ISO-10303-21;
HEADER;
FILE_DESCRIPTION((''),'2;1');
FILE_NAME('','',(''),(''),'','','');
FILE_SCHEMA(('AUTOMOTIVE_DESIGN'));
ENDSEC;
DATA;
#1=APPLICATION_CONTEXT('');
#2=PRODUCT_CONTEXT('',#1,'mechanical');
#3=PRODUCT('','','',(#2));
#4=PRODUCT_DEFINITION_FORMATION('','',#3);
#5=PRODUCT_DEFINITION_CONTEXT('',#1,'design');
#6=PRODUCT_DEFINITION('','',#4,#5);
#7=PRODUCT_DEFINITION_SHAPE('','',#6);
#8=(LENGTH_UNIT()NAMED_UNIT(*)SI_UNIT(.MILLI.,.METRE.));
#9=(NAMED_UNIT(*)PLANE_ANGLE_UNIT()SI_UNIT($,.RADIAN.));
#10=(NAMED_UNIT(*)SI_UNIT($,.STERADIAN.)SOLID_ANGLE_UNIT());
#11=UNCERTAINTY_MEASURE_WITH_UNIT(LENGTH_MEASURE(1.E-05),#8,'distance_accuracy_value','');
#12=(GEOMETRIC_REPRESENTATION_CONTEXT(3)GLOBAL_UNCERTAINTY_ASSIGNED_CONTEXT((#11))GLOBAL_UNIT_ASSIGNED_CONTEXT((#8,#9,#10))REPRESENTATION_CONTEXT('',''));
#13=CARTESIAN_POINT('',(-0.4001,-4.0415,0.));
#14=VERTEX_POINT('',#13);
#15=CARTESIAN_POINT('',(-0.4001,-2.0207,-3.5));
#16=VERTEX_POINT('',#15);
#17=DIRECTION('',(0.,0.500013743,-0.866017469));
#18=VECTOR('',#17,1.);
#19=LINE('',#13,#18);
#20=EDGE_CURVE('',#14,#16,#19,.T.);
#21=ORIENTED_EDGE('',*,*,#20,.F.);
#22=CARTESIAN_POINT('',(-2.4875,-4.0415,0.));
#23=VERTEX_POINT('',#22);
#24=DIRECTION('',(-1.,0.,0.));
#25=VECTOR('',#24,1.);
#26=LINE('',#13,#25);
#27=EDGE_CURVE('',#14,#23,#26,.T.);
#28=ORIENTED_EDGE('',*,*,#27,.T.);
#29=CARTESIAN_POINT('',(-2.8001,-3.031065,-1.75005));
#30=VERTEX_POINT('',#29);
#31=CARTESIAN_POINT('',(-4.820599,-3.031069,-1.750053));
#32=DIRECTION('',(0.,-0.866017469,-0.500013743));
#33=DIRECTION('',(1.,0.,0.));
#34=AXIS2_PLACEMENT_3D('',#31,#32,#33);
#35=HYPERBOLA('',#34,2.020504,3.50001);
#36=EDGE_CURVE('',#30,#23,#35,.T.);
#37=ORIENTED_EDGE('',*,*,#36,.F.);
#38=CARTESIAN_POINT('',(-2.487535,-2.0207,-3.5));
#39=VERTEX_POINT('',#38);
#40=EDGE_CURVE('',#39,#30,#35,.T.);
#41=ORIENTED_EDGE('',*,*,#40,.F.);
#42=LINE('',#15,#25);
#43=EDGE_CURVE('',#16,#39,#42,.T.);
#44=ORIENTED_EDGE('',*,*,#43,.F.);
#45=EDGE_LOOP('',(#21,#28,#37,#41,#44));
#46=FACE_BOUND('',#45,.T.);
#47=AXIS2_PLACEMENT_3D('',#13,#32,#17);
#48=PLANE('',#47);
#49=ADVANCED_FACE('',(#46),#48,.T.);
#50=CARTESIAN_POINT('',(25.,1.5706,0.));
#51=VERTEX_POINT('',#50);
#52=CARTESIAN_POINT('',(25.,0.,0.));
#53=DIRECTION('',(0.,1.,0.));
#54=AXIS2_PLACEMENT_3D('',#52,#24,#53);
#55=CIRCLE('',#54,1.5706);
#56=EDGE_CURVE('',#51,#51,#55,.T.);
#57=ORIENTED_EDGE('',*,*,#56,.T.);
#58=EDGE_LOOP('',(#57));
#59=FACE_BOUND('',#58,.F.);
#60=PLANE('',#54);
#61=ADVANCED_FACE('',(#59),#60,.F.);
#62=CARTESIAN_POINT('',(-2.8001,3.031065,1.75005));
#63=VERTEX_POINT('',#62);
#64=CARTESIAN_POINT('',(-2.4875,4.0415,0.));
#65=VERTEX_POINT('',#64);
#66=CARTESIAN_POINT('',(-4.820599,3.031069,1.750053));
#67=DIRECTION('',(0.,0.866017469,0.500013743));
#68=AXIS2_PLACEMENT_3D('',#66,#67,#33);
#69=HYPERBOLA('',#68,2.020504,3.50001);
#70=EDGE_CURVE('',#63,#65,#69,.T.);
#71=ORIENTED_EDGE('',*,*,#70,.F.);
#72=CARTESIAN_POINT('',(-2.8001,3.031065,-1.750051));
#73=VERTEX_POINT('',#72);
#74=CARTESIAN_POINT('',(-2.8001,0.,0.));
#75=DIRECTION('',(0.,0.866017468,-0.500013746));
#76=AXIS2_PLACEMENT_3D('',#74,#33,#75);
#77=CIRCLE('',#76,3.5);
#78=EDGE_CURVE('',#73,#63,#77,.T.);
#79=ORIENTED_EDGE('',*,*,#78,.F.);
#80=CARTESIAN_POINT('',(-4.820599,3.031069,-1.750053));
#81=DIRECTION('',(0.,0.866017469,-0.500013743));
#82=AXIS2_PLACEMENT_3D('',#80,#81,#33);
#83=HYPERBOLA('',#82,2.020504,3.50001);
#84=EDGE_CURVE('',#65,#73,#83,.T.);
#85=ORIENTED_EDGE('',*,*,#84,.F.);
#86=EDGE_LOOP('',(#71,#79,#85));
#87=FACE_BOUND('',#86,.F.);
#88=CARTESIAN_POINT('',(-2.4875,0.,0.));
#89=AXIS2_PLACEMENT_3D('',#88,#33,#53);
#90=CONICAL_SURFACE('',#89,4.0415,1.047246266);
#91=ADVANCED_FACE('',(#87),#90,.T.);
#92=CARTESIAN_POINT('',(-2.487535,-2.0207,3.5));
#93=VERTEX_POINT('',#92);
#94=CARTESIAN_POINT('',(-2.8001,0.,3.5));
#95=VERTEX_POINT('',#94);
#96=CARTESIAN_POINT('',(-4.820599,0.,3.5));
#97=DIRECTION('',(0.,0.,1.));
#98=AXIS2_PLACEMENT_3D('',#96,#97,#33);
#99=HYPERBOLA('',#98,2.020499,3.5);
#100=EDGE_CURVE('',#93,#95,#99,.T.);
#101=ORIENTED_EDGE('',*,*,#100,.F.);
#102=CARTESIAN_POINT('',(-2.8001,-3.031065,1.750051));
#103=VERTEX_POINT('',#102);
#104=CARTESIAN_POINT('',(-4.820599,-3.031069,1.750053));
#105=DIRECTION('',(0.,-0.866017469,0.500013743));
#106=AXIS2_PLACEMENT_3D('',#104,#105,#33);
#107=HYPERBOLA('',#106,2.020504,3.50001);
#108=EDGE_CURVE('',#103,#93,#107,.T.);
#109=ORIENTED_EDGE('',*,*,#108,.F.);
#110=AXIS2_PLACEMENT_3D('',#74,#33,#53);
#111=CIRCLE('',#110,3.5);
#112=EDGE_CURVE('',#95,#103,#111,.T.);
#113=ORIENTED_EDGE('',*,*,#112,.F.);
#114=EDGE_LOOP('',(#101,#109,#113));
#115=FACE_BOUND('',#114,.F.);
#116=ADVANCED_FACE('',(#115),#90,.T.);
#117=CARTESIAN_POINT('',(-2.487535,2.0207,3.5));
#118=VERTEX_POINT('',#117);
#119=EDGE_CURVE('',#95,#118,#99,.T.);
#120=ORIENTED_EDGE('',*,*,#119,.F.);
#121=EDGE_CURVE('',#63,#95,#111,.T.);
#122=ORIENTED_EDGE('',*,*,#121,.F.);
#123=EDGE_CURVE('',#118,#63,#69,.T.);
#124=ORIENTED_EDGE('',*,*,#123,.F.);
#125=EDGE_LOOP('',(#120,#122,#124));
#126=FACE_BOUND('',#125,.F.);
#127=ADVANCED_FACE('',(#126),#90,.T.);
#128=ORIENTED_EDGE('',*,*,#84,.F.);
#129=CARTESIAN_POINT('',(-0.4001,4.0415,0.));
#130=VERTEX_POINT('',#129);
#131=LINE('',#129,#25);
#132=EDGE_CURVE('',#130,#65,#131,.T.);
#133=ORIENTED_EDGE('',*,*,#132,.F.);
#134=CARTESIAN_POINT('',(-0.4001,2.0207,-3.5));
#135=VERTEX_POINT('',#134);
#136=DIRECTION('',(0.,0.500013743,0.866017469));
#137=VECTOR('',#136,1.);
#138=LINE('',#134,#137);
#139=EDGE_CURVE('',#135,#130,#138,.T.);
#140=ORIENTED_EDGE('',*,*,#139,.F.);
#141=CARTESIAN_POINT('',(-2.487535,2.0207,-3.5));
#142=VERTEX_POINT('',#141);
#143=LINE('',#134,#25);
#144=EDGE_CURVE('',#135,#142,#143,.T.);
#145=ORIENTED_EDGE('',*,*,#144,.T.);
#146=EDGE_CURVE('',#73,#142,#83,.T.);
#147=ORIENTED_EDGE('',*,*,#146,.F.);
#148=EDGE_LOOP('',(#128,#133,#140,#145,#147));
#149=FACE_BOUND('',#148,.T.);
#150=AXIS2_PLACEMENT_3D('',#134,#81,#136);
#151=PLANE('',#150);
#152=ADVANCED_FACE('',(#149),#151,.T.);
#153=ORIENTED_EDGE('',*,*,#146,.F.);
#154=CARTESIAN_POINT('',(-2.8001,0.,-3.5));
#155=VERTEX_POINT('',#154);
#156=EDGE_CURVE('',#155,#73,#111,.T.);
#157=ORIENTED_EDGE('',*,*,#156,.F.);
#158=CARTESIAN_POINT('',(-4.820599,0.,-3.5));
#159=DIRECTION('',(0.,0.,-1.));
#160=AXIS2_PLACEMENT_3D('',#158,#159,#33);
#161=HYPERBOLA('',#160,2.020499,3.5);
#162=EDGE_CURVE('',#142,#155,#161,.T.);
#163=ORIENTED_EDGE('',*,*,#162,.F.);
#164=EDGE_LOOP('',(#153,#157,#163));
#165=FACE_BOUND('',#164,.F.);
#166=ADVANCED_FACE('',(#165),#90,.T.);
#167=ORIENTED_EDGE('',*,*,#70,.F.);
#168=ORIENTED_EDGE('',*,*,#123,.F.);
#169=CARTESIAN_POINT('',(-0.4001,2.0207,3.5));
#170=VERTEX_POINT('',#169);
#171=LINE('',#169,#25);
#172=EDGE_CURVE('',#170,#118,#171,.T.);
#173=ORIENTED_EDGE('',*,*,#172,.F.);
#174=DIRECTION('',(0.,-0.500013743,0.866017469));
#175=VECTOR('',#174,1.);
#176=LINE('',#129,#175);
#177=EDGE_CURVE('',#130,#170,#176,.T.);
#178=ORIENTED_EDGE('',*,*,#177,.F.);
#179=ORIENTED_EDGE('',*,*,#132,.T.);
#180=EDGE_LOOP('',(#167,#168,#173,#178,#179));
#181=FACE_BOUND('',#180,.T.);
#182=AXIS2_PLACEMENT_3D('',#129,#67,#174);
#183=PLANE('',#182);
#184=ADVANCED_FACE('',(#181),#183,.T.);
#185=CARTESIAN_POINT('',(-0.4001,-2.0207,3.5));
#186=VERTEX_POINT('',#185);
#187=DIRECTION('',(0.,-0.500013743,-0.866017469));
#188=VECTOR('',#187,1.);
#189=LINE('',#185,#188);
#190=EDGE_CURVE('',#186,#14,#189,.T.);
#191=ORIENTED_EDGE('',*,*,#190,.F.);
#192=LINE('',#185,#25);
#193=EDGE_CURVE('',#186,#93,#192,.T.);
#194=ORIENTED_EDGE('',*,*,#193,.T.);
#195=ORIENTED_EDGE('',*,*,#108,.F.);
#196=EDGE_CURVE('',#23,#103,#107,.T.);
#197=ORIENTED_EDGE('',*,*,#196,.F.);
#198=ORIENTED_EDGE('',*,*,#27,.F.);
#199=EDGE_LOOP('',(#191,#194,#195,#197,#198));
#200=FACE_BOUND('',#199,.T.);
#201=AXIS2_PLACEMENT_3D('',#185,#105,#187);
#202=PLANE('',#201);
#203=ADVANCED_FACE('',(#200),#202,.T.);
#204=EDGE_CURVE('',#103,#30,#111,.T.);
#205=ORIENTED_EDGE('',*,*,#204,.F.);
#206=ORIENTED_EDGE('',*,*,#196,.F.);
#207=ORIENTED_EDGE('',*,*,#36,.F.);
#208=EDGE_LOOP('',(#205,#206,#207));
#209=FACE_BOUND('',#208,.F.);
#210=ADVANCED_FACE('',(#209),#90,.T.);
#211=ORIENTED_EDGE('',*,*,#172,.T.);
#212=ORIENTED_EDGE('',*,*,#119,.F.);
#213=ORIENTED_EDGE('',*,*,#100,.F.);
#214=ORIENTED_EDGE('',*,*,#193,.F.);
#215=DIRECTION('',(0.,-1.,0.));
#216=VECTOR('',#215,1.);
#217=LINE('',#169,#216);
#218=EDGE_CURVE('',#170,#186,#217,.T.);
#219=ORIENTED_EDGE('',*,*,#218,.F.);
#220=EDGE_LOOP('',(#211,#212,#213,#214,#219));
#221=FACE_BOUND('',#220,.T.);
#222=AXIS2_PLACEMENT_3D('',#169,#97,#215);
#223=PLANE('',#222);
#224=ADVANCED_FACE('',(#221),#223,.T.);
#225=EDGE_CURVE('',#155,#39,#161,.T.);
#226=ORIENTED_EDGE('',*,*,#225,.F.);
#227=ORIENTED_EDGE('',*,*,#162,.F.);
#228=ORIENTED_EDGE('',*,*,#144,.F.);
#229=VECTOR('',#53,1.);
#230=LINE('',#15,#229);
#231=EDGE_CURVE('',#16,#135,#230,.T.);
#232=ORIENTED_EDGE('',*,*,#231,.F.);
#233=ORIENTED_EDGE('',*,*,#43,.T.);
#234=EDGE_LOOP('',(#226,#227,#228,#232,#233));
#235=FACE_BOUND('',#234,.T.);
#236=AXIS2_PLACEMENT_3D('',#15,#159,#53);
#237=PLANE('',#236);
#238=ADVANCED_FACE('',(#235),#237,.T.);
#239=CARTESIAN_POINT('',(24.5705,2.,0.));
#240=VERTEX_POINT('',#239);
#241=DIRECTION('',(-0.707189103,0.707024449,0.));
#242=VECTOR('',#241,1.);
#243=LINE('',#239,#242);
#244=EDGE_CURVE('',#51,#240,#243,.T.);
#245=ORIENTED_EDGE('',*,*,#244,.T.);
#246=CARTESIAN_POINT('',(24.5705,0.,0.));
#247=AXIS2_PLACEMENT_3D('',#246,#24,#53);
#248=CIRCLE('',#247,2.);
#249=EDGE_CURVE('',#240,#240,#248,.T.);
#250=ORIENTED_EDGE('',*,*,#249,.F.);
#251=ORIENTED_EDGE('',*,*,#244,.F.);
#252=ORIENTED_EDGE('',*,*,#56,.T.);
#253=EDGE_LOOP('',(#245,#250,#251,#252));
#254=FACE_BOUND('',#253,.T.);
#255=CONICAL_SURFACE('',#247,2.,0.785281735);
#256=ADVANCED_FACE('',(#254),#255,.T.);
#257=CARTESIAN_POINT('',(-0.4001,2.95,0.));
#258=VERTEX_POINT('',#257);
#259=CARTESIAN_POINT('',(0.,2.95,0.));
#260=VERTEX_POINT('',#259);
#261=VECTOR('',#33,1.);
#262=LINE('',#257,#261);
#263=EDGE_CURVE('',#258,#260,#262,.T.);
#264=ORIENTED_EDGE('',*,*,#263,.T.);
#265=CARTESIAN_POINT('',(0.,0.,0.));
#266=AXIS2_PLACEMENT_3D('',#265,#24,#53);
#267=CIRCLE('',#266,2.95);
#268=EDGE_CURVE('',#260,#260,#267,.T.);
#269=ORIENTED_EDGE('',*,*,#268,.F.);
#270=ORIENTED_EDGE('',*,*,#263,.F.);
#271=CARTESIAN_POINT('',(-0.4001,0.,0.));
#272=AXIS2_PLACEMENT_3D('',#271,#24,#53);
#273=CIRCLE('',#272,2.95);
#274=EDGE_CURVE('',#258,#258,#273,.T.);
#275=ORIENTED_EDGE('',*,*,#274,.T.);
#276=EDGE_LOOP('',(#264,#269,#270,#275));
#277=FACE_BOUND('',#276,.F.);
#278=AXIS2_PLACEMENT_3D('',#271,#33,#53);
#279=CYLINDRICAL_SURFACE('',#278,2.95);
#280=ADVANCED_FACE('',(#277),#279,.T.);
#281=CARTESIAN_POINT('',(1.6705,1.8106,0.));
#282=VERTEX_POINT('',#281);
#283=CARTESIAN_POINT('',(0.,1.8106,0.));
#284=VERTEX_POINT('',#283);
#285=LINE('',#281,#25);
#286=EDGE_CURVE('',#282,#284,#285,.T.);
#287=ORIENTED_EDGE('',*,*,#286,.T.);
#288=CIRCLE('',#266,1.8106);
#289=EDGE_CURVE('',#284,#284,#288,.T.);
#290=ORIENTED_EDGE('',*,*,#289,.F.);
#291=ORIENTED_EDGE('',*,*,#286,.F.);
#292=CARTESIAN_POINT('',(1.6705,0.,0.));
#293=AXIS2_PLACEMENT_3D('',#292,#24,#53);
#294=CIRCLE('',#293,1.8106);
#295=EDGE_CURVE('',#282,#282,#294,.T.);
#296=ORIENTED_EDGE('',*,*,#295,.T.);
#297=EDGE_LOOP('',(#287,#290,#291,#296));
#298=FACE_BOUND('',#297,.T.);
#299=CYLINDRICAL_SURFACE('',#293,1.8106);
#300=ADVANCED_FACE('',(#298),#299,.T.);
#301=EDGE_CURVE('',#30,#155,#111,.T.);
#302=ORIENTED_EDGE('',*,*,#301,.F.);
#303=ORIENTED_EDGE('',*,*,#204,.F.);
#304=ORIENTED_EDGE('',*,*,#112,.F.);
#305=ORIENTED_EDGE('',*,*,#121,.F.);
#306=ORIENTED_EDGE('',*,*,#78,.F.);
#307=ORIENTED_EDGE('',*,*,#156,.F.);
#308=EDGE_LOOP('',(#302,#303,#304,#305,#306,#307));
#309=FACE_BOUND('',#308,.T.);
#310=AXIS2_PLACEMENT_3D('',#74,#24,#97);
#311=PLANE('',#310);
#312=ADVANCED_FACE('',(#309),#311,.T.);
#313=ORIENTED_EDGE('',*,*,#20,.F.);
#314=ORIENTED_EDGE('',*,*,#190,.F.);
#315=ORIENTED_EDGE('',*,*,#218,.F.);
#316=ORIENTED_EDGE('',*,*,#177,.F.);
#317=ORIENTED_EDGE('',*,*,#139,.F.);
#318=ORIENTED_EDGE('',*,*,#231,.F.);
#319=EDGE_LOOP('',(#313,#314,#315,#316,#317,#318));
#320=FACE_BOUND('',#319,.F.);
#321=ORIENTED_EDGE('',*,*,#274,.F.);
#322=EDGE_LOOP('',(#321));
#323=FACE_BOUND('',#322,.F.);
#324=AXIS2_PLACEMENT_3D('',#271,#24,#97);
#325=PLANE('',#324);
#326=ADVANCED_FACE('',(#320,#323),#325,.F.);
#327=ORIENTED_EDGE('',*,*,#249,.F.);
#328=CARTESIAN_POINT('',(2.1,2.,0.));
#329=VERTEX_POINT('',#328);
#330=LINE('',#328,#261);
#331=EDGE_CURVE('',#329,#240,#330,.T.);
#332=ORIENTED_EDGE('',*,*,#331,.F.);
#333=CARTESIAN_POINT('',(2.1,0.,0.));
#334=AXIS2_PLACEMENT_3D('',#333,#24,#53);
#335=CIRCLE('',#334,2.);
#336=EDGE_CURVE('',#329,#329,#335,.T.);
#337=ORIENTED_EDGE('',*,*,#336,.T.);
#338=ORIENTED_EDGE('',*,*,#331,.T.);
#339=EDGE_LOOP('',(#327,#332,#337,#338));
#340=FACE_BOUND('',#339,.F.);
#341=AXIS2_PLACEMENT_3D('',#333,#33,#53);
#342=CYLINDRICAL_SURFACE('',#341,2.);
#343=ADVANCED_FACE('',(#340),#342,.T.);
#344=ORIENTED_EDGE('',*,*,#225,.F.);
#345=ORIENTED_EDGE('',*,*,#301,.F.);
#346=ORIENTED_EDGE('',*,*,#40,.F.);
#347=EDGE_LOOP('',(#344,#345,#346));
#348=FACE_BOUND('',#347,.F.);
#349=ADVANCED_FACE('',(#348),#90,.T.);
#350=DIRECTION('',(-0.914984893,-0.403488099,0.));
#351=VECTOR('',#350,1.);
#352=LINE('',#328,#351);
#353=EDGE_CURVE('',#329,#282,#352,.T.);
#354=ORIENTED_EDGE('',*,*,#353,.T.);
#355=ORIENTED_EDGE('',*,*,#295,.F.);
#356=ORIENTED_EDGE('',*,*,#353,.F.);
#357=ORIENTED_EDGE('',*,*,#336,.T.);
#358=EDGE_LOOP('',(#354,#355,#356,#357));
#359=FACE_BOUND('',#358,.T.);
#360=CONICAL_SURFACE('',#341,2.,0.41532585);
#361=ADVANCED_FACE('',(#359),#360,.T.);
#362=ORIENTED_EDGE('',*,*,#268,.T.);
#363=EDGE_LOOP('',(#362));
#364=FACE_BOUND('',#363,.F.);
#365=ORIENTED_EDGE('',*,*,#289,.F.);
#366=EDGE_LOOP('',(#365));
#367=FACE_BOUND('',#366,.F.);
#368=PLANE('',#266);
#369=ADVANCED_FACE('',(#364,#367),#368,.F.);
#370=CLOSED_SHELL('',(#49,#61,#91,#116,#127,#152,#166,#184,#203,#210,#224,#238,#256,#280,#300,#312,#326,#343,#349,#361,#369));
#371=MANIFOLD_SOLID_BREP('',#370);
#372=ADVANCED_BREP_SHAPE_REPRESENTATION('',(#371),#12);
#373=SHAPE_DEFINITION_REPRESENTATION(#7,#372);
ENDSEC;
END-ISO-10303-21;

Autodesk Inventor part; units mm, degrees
ref_plane "YZ Plane" through (0, 0, 0) normal (1, 0, 0) x (0, 1, 0)
ref_plane "XZ Plane" through (0, 0, 0) normal (0, 1, 0) x (-1, 0, 0)
sketch "Skizze1" plane through (0, 0, 0) normal (0, 0, 1) x (1, 0, 0)
  line L0 (0, 2.95) -> (0, 1.8106)
  line L1 (2.1, 2) -> (25, 2)
  line L2 (25, 2) -> (25, 0)
  line L3 (25, 0) -> (-0.4001, 0)
  line L4 (-5.4801, 0) -> (30.08, 0) projected
  line L5 (-0.4001, 0) -> (-0.4001, 2.95)
  line L6 (-0.4001, 2.95) -> (0, 2.95)
  line L7 (2.1, 2) -> (1.6705, 1.8106)
  line L8 (1.6705, 1.8106) -> (0, 1.8106)
  line L9 (0, -0.59) -> (0, 3.54) projected
  dimension "d0" = 25
  dimension "d1" = 22.9
  dimension "d2" = 4
  dimension "d9" = 0.4001
  dimension "d10" = 5.9
  dimension "d13" = 0.4295
  dimension "d14" = 3.6211
revolve "Körper" add sketch "Skizze1" angle 360 about axis through (25, 0, 0) along (-1, 0, 0)
sketch "Skizze2" plane through (-0.4001, 0, 0) normal (-1, 0, 0) x (0, 0, 1)
  line L0 (0, 4.0415) -> (3.5, 2.0207)
  line L1 (3.5, 2.0207) -> (3.5, -2.0207)
  line L2 (3.5, -2.0207) -> (0, -4.0415)
  line L3 (0, -4.0415) -> (-3.5, -2.0207)
  line L4 (-3.5, -2.0207) -> (-3.5, 2.0207)
  line L5 (-3.5, 2.0207) -> (0, 4.0415)
  point P0 (0, 0)
  point P1 (0, 0)
  dimension "d11" = 7
extrude "Kopf" add sketch "Skizze2" along normal blind 2.4
sketch "Skizze4" plane through (0, 0, 0) normal (0, 0, 1) x (1, 0, 0)
  line L0 (-2.8001, 3.5) -> (-2.8001, 4.0415)
  line L1 (-2.8001, 4.0415) -> (-2.4875, 4.0415)
  line L2 (-2.4875, 4.0415) -> (-2.8001, 3.5)
  line L3 (-3.2801, 0) -> (0.0799, 0) projected
  line L4 (-0.4001, 4.0415) -> (-2.8001, 4.0415) projected
  line L5 (-2.8001, 2.0207) -> (-2.8001, 4.0415) projected
  dimension "d5" = 30
  dimension "d19" = 7
revolve "Fase1" cut sketch "Skizze4" angle 360 about axis through (-10, 0, 0) along (1, 0, 0)
thread "Gewinde" size "M4x0.7" class "6g" standard "ISO Metric profile" length 22.9
chamfer "Fase2" distance 0.4294 distance2 0.4295 1 edges at (25, -2, 0) measured on face at (25, -0.0804, -0.6618)
ref_plane "Work Plane1" through (1.525, 0, 0) normal (0, 0, 1) x (1, 0, 0)
equation "\"d0\" = NLG"
equation "\"d1\" = GEL"
equation "\"d2\" = GD"
equation "\"d10\" = SD2"
equation "\"d14\" = BDM"
equation "\"d11\" = SW"
equation "\"d3\" = KOH - SD"
equation "\"d5\" = ANG1"
equation "\"d19\" = SW0"
equation "\"d15\" = GEL"
equation "\"d6\" = -0.5 * SPD + 0.5 * GD"
equation "\"NLG\" = 25"
equation "\"GD\" = NND"
equation "\"BDM\" = 3.62111"
equation "\"KOH\" = 2.8"
equation "\"GEL\" = 22.9"
equation "\"SW\" = 7"
equation "\"SW0\" = 7"
equation "\"SPD\" = NND - 1.2269 * PTC"
equation "\"SD2\" = 5.9"
equation "\"SD\" = 0.4"
equation "\"ANG1\" = 30deg"
equation "\"GAL\" = 0.61345 * PTC"
equation "\"GUL\" = 0.61345 * PTC"
equation "\"RR\" = 0.2"
equation "\"GD1\" = THREADDIA - 1.2269 * PTC"
equation "\"THREADDIA\" = 4"
equation "\"TOA\" = 30deg"
equation "\"PTC\" = 0.7"
equation "\"NND\" = 4"
equation "\"E0\" = 1.155 * SW"
properties part number "DIN 933 - M4  x 25" material "Stahl, weich"
